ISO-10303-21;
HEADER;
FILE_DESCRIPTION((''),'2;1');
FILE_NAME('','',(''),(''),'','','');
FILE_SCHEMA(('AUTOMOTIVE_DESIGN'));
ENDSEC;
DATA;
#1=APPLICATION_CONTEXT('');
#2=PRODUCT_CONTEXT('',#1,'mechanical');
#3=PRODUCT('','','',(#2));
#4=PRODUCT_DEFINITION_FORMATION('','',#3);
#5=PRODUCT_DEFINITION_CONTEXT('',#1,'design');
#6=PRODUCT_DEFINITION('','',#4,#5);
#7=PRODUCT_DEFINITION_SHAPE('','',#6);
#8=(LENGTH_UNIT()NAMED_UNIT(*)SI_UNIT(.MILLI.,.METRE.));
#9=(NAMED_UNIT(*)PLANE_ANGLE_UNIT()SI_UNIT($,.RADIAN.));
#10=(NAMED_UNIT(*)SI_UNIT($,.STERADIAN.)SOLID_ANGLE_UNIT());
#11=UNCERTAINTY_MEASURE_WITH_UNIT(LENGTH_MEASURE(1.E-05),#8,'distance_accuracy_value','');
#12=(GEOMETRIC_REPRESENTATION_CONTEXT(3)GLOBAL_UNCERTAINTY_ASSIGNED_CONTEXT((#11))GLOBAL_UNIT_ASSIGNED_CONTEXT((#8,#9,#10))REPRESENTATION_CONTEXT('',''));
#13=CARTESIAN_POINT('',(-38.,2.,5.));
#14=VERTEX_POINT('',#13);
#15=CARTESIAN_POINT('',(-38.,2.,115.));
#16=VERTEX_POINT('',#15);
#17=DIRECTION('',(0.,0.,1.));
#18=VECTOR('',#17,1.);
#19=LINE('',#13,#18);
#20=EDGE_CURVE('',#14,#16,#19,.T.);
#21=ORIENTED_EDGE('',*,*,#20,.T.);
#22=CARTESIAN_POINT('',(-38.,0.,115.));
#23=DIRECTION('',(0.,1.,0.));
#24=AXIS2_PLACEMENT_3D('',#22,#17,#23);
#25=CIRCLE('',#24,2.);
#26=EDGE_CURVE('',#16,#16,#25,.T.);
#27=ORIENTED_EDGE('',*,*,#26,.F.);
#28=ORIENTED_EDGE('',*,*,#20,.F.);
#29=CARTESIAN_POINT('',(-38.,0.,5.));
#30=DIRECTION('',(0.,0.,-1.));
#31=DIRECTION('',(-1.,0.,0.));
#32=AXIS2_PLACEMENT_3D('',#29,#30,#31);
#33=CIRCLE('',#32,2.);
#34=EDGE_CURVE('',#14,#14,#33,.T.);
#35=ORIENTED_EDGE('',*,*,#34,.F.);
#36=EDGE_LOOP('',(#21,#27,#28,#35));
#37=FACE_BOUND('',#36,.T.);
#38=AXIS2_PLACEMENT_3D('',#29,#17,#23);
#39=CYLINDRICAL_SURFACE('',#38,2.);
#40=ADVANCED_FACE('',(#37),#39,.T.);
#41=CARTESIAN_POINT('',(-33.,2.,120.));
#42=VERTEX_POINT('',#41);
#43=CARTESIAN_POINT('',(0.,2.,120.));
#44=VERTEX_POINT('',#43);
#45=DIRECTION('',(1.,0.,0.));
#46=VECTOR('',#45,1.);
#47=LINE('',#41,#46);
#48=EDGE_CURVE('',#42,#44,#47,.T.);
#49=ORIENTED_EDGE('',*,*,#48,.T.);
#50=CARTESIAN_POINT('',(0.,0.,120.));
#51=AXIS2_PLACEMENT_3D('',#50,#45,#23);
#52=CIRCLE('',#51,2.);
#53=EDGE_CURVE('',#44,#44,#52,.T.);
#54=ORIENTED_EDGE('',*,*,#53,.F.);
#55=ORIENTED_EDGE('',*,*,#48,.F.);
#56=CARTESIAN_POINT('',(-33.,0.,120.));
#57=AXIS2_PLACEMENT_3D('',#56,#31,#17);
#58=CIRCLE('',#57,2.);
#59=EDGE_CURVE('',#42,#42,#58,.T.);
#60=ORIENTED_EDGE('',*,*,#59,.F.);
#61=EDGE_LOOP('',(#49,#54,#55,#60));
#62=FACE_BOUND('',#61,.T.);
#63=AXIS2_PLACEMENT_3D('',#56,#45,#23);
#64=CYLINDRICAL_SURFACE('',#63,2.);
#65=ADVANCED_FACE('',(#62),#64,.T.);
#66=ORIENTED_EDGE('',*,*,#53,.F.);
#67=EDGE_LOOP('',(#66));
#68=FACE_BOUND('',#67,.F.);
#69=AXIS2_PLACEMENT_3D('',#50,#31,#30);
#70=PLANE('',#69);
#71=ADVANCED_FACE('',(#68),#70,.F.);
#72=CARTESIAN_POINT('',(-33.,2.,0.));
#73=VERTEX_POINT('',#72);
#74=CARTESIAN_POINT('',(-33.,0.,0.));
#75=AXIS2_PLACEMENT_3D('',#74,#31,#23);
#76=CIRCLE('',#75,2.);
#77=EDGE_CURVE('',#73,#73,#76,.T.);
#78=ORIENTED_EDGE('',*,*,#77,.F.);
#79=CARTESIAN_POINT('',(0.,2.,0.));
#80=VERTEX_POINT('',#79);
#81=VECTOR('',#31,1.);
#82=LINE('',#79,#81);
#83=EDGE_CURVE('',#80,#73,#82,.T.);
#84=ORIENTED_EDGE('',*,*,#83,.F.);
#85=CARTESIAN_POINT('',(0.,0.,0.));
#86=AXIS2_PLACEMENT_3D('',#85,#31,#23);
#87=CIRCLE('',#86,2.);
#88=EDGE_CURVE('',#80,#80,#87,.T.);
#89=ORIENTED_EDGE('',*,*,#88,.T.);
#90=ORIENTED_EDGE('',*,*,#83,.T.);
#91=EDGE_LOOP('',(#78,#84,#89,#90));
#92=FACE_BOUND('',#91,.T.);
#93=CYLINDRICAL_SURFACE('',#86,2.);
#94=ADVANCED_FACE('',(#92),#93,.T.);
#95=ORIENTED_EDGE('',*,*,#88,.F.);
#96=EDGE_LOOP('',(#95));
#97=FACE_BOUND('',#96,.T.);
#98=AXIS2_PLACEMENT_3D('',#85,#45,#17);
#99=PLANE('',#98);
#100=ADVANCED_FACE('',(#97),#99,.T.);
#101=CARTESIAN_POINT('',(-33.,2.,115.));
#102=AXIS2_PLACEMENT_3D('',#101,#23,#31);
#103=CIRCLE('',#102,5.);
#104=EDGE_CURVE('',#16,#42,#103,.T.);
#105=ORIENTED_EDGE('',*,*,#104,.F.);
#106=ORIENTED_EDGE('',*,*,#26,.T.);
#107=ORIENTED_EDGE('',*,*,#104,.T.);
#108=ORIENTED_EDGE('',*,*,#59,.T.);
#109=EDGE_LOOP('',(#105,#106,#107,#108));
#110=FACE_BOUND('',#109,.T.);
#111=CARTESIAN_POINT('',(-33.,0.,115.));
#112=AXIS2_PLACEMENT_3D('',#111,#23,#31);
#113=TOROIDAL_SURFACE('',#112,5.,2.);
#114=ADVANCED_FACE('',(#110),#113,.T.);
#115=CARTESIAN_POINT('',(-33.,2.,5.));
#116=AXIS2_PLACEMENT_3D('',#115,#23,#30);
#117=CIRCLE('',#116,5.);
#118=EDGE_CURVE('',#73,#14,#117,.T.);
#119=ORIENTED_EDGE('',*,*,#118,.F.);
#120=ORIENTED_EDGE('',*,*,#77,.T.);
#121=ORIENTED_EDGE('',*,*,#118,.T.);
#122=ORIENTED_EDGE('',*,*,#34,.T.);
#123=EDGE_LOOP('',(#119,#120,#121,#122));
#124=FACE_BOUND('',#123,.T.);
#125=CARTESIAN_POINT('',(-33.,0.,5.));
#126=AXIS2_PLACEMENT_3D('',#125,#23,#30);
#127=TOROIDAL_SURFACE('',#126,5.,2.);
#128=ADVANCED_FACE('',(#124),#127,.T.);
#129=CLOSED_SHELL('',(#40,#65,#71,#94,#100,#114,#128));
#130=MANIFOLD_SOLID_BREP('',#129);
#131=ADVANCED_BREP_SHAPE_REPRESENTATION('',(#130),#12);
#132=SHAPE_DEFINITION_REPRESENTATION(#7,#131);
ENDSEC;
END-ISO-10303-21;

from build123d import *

# Parameters (mm, degrees)
F1_R = 2


with BuildPart() as f2:
    # F2: sweep along a path in F0
    with BuildLine(Plane.XZ) as f2_path:
        Line((0, 0), (-33, 0))
        ThreePointArc((-33, 0), (-36.5355339059, 1.4644660941), (-38, 5))
        Line((-38, 5), (-38, 115))
        ThreePointArc((-38, 115), (-36.5355339059, 118.5355339059), (-33, 120))
        Line((-33, 120), (0, 120))
    # F1 (on Right) → F2 (sweep)
    with BuildSketch(Plane.YZ):
        Circle(F1_R)
    sweep(path=f2_path.line)


solid = f2.part
